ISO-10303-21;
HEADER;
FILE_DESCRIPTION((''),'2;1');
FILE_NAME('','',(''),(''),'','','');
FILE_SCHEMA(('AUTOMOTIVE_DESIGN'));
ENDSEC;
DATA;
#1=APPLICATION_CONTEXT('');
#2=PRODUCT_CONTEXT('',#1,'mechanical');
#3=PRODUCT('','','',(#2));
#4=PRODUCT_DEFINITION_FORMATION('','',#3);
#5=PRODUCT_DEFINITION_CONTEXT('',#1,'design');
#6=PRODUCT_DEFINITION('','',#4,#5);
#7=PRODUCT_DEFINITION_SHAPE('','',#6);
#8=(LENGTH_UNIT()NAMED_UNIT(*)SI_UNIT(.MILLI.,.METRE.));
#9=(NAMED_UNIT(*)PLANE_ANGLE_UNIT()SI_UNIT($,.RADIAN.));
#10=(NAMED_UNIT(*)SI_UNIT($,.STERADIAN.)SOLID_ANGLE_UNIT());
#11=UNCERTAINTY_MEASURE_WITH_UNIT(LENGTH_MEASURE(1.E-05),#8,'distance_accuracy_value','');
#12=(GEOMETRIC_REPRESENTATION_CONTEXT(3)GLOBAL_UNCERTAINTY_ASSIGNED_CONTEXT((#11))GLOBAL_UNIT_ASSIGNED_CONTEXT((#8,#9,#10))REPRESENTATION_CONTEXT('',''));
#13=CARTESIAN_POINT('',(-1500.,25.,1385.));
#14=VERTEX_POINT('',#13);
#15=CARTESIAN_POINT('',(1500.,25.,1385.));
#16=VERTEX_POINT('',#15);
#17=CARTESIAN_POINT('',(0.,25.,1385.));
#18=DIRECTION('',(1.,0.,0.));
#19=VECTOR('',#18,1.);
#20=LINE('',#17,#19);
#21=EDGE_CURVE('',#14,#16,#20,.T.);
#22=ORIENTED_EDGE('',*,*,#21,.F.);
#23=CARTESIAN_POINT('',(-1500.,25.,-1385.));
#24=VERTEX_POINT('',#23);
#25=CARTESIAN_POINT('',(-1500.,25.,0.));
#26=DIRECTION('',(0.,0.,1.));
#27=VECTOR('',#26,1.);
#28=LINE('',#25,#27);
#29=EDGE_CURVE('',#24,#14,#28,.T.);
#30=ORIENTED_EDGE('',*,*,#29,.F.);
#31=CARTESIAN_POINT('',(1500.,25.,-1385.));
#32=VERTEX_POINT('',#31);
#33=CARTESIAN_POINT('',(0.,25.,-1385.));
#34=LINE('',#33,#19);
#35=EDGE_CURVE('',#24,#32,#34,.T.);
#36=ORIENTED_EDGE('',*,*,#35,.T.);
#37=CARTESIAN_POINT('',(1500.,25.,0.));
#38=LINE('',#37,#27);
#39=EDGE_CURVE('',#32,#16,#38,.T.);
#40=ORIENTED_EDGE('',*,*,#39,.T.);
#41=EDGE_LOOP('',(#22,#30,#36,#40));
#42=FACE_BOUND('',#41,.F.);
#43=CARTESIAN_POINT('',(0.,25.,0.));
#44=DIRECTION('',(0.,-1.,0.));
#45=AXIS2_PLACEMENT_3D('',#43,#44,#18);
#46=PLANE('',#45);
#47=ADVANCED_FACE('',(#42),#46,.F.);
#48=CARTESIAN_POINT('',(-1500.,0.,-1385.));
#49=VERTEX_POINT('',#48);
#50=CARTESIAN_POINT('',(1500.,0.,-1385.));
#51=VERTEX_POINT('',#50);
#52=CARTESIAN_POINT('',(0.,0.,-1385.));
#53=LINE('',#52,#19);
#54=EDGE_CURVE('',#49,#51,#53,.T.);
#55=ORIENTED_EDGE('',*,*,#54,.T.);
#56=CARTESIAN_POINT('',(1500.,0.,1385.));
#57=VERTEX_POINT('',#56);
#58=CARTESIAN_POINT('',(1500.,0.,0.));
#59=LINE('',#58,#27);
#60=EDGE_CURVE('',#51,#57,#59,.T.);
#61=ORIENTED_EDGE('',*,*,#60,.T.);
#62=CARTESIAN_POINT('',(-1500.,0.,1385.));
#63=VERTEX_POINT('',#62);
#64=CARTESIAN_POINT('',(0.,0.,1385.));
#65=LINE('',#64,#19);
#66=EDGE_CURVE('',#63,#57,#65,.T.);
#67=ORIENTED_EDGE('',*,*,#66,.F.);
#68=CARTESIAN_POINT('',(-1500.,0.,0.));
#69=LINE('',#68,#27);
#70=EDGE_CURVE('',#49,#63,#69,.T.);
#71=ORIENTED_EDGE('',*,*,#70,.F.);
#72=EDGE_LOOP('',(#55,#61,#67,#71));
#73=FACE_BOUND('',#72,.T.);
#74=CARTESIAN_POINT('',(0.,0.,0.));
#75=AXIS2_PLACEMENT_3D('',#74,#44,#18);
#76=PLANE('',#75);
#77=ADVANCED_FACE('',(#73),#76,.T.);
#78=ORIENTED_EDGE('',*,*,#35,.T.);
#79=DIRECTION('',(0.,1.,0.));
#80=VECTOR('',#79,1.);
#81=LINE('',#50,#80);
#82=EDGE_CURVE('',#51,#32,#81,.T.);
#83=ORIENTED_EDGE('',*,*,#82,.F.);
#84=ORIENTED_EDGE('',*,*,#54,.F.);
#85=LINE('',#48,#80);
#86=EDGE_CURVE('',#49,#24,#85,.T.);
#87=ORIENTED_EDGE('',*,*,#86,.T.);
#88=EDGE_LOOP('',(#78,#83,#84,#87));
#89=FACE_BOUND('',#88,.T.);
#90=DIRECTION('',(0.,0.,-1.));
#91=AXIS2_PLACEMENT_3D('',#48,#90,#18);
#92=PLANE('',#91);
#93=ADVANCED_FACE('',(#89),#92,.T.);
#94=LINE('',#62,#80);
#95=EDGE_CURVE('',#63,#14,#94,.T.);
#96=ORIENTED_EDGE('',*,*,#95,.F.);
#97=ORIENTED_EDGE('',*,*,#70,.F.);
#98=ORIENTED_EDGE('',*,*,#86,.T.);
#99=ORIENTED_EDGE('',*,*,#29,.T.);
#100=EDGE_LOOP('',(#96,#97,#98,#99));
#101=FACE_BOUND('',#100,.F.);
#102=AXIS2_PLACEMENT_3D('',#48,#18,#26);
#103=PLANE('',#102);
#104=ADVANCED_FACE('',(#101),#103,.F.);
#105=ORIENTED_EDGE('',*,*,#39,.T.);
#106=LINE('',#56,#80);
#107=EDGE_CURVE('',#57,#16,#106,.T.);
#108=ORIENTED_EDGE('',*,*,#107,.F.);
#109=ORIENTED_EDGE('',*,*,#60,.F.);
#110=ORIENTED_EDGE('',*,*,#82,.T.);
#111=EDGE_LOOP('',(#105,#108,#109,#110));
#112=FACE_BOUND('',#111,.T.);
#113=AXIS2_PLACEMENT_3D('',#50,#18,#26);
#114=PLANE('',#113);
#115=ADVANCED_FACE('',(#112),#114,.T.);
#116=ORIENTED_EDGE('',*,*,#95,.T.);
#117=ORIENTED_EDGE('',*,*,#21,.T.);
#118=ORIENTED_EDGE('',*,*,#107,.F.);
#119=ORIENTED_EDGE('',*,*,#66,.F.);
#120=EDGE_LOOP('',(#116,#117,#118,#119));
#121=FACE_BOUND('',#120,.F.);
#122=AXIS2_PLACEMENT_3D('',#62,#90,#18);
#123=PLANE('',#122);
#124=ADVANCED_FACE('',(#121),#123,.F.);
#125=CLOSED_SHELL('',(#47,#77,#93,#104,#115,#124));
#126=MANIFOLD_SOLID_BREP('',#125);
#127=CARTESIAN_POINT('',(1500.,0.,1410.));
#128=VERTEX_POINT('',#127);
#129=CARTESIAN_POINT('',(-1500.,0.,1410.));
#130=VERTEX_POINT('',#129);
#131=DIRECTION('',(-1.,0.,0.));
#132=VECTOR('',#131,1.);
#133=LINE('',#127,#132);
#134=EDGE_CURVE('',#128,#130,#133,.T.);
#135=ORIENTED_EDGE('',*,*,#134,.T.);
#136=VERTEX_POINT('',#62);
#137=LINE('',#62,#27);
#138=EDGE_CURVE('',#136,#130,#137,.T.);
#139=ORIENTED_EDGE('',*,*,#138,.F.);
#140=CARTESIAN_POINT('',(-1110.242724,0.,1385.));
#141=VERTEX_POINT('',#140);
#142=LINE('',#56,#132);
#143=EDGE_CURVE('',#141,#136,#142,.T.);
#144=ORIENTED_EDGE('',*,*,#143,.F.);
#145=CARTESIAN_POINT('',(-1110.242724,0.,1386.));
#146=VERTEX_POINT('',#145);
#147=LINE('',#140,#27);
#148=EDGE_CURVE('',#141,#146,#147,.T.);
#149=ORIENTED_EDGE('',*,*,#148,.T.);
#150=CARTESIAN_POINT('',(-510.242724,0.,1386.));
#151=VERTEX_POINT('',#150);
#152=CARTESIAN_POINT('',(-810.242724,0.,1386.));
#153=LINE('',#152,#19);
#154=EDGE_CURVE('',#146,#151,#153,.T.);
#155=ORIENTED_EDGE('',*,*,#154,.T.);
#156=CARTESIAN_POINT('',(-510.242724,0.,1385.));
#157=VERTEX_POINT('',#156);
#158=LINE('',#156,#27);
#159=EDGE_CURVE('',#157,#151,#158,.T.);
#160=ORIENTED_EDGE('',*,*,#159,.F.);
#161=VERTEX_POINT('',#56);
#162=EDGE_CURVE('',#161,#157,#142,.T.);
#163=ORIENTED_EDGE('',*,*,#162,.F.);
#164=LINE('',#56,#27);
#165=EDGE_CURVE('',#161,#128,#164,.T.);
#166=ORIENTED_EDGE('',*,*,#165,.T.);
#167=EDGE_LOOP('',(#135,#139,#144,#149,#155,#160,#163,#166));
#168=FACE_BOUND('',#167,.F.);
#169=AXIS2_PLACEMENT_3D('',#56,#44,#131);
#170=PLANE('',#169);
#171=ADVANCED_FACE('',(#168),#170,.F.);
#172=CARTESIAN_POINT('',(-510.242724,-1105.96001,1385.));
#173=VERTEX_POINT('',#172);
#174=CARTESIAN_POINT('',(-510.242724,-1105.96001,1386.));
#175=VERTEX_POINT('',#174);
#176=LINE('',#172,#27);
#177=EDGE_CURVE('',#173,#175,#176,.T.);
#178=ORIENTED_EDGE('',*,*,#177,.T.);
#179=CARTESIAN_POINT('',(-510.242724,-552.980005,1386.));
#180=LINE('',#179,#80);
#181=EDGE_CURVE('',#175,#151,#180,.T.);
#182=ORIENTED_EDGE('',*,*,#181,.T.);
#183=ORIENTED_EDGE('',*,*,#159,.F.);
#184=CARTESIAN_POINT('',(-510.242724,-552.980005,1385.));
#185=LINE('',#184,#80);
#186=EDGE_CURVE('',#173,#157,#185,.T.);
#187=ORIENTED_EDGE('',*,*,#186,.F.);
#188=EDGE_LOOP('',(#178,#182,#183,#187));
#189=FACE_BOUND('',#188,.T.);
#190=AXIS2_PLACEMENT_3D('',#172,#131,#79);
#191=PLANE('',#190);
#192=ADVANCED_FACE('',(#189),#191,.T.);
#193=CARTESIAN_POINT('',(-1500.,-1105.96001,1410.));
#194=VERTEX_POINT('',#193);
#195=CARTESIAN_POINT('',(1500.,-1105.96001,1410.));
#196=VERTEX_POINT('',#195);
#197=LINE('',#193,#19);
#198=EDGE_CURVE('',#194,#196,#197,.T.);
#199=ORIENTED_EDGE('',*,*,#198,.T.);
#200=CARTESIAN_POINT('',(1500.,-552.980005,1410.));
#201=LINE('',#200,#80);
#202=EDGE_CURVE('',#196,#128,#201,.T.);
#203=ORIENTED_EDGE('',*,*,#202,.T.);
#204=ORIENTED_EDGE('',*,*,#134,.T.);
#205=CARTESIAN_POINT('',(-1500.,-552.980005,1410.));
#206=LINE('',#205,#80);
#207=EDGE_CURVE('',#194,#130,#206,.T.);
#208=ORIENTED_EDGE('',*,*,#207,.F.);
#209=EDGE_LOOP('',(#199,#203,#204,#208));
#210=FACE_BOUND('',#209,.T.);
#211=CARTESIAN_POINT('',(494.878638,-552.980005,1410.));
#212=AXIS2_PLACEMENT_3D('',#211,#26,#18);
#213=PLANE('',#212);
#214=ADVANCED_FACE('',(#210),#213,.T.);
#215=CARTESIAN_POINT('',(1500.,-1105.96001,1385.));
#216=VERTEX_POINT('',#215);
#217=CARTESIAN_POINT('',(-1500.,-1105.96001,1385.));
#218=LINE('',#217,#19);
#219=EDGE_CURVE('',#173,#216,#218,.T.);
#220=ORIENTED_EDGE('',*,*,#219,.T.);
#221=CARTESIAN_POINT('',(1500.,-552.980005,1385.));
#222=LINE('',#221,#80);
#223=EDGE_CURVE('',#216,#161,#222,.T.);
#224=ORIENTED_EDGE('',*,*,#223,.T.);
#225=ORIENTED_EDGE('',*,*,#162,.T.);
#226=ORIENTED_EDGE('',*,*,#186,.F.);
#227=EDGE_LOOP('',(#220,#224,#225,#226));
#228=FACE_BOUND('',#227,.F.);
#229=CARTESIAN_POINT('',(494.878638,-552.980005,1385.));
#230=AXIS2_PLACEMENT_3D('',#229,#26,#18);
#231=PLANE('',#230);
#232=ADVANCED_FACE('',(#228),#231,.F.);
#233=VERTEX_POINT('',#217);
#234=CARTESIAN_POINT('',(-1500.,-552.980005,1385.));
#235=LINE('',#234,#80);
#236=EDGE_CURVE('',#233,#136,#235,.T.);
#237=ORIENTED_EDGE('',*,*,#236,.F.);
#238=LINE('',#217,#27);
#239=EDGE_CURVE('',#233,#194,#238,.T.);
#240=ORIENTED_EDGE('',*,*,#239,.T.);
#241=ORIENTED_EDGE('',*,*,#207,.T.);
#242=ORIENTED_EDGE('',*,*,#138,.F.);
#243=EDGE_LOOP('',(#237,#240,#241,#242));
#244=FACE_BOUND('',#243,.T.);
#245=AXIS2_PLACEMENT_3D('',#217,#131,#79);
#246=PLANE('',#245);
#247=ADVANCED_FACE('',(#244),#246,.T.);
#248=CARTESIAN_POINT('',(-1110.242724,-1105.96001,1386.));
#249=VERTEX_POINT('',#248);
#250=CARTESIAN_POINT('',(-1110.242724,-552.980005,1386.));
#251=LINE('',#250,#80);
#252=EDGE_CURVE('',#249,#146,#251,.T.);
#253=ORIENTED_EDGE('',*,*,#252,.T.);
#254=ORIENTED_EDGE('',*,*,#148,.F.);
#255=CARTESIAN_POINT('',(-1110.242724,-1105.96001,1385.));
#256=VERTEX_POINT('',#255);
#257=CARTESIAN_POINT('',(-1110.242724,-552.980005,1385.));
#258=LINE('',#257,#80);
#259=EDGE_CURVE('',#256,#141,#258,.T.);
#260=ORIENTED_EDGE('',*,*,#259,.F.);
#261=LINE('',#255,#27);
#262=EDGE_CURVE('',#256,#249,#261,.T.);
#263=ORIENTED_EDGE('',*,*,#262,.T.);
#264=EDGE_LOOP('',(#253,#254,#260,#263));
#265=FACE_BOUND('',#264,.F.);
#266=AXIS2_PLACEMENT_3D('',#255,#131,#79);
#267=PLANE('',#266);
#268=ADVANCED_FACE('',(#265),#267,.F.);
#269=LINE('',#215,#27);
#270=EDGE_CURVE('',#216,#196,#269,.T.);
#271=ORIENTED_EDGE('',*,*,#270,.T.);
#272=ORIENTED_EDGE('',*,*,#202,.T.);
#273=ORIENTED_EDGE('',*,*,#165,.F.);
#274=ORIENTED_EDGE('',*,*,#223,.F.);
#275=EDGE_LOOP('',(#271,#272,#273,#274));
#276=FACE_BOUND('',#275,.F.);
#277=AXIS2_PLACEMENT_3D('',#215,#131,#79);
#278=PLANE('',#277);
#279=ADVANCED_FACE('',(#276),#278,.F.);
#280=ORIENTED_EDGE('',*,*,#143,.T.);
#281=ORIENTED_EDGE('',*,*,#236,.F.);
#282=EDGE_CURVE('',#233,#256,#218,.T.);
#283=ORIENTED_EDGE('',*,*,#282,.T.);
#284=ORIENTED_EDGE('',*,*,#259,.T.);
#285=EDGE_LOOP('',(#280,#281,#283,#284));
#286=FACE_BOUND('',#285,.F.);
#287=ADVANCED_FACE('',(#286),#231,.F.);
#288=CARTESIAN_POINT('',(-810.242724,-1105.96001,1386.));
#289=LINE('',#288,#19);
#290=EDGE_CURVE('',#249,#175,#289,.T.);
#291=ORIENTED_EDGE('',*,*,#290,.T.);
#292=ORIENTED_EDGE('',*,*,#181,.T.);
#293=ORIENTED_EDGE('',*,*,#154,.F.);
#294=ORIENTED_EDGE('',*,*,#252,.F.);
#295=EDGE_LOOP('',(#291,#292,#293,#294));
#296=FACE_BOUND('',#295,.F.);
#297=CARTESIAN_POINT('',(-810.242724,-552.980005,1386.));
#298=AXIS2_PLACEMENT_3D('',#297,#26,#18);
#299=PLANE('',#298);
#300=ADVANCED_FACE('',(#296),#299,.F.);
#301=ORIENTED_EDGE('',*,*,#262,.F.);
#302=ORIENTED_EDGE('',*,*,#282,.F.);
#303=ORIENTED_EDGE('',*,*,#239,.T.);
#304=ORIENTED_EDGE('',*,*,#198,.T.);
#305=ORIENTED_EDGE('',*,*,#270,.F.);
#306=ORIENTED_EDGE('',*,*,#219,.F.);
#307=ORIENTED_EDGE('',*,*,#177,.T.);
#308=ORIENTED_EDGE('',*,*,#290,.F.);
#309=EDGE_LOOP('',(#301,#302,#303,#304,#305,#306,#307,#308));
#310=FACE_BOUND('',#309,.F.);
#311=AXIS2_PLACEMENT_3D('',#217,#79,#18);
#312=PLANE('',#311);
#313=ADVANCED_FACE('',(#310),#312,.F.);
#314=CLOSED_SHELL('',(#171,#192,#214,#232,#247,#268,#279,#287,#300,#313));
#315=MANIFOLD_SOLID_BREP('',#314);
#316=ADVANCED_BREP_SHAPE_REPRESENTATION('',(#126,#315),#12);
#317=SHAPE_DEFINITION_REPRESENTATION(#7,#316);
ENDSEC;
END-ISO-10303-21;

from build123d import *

# Parameters (mm, degrees)
F0_W     = 3000
F0_H     = 2770
F1_DEPTH = 25
F2_W     = 2010.242724
F2_H     = 1105.960011
F2_W_2   = 600
F2_W_3   = 389.757276
F3_DEPTH = 25
F4_DEPTH = 1


with BuildPart() as f1:
    # F0 (on Front) → F1 (new body)
    with BuildSketch(Plane.XZ):
        Rectangle(F0_W, F0_H)
    extrude(amount=-F1_DEPTH)


with BuildPart() as f3:
    # F2 (on face) → F3 (new body)
    with BuildSketch(Plane.XY.offset(1385)):
        with Locations((494.878638, -552.980005)):
            Rectangle(F2_W, F2_H)
        with Locations((-810.242724, -552.980005)):
            Rectangle(F2_W_2, F2_H)
        with Locations((-1305.121362, -552.980005)):
            Rectangle(F2_W_3, F2_H)
    extrude(amount=F3_DEPTH)

    # F2 (on face) → F4 (cut)
    with BuildSketch(Plane.XY.offset(1385)):
        with Locations((-810.242724, -552.980005)):
            Rectangle(F2_W_2, F2_H)
    extrude(amount=F4_DEPTH, mode=Mode.SUBTRACT)


solid = Compound([f1.part, f3.part])
